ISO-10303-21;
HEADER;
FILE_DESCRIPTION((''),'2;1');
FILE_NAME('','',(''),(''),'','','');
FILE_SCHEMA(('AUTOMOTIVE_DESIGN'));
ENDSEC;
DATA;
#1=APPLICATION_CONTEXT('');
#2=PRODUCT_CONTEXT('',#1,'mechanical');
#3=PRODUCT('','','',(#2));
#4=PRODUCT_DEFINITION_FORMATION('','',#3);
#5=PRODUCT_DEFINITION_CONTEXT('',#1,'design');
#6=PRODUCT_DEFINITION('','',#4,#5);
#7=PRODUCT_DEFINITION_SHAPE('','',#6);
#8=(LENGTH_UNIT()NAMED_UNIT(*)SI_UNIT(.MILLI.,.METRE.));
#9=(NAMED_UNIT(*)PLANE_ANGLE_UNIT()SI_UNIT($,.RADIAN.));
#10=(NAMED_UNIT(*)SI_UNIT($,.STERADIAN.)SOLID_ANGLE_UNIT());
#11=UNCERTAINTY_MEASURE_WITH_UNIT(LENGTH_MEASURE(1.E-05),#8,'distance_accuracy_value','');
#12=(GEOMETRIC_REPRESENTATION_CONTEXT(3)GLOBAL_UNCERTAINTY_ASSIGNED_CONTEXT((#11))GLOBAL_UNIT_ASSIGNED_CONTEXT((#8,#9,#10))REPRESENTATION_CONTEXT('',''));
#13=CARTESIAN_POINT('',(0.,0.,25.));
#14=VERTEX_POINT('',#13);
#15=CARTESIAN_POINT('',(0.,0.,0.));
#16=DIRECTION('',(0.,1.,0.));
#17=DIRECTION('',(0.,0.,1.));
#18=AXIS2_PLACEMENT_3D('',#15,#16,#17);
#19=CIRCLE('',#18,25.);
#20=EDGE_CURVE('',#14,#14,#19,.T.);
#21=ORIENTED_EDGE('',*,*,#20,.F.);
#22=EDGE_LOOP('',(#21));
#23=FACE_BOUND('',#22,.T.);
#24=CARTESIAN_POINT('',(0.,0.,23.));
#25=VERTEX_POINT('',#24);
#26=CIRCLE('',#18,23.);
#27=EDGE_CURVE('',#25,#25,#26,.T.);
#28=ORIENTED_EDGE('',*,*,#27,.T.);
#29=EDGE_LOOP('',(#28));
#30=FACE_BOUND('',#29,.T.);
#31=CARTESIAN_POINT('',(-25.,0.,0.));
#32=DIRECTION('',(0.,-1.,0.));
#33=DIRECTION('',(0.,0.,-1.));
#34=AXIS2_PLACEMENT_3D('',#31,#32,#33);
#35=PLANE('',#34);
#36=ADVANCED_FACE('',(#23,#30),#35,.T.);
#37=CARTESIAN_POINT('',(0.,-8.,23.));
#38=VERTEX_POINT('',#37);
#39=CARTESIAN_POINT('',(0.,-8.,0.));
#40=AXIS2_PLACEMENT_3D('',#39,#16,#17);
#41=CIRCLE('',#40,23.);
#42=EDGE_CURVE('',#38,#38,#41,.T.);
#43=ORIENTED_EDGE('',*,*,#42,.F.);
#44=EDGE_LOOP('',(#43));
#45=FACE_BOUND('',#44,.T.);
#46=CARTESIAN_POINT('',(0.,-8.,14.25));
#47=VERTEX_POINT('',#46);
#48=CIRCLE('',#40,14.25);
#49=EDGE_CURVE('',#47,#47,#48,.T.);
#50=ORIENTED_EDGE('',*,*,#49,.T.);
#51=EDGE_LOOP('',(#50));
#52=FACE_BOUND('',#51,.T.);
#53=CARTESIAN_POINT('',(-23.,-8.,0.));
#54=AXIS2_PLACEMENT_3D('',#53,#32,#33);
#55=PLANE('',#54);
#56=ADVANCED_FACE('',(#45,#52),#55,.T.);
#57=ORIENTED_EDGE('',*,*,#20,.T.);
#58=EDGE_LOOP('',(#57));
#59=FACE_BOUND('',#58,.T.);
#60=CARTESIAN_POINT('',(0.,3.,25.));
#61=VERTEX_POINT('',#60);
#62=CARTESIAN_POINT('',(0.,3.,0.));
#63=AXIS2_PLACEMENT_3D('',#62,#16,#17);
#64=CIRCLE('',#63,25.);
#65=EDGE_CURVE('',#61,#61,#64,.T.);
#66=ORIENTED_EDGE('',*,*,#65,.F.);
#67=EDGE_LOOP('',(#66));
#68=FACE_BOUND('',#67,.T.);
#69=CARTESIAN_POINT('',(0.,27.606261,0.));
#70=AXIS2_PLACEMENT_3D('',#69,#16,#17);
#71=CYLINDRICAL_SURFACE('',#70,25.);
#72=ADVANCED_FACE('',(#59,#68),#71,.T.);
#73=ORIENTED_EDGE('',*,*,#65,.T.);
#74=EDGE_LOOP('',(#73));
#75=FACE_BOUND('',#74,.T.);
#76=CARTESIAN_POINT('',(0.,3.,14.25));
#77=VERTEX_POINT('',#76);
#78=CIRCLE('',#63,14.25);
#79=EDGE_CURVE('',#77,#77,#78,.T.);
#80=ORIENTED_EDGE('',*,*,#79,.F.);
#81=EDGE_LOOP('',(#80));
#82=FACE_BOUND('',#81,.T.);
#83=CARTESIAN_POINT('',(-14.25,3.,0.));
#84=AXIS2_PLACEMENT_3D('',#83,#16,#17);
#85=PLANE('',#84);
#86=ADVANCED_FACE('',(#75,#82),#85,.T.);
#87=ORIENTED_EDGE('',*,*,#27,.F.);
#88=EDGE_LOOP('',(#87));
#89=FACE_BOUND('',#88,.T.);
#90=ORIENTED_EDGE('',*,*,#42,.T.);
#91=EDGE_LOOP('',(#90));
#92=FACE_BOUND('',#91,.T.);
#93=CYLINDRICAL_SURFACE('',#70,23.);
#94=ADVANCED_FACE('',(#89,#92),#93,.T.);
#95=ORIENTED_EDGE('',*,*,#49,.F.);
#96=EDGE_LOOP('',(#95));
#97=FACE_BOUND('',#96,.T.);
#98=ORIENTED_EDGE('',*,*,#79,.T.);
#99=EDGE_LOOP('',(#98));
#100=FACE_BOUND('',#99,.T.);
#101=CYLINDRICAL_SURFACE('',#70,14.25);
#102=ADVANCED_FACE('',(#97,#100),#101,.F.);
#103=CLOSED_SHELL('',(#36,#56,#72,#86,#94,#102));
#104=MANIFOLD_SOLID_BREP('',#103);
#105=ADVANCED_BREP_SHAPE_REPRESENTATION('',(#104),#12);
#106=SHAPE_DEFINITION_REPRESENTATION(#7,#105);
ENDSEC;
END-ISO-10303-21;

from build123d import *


with BuildPart() as part:
    # Esquisse1 → Révolution1 (revolve)
    with BuildSketch(Plane.XY, mode=Mode.PRIVATE) as r_volution1_sk:
        Polygon((-14.25, -8), (-14.25, 3), (-25, 3), (-25, 0), (-23, 0), (-23, -8), align=None)
    revolve(r_volution1_sk.sketch.rotate(Axis((0, 27.606261023, 0), (0, -1, 0)), 270), axis=Axis((0, 27.606261023, 0), (0, -1, 0)))  # turned: the seam where the file's is


solid = part.part
